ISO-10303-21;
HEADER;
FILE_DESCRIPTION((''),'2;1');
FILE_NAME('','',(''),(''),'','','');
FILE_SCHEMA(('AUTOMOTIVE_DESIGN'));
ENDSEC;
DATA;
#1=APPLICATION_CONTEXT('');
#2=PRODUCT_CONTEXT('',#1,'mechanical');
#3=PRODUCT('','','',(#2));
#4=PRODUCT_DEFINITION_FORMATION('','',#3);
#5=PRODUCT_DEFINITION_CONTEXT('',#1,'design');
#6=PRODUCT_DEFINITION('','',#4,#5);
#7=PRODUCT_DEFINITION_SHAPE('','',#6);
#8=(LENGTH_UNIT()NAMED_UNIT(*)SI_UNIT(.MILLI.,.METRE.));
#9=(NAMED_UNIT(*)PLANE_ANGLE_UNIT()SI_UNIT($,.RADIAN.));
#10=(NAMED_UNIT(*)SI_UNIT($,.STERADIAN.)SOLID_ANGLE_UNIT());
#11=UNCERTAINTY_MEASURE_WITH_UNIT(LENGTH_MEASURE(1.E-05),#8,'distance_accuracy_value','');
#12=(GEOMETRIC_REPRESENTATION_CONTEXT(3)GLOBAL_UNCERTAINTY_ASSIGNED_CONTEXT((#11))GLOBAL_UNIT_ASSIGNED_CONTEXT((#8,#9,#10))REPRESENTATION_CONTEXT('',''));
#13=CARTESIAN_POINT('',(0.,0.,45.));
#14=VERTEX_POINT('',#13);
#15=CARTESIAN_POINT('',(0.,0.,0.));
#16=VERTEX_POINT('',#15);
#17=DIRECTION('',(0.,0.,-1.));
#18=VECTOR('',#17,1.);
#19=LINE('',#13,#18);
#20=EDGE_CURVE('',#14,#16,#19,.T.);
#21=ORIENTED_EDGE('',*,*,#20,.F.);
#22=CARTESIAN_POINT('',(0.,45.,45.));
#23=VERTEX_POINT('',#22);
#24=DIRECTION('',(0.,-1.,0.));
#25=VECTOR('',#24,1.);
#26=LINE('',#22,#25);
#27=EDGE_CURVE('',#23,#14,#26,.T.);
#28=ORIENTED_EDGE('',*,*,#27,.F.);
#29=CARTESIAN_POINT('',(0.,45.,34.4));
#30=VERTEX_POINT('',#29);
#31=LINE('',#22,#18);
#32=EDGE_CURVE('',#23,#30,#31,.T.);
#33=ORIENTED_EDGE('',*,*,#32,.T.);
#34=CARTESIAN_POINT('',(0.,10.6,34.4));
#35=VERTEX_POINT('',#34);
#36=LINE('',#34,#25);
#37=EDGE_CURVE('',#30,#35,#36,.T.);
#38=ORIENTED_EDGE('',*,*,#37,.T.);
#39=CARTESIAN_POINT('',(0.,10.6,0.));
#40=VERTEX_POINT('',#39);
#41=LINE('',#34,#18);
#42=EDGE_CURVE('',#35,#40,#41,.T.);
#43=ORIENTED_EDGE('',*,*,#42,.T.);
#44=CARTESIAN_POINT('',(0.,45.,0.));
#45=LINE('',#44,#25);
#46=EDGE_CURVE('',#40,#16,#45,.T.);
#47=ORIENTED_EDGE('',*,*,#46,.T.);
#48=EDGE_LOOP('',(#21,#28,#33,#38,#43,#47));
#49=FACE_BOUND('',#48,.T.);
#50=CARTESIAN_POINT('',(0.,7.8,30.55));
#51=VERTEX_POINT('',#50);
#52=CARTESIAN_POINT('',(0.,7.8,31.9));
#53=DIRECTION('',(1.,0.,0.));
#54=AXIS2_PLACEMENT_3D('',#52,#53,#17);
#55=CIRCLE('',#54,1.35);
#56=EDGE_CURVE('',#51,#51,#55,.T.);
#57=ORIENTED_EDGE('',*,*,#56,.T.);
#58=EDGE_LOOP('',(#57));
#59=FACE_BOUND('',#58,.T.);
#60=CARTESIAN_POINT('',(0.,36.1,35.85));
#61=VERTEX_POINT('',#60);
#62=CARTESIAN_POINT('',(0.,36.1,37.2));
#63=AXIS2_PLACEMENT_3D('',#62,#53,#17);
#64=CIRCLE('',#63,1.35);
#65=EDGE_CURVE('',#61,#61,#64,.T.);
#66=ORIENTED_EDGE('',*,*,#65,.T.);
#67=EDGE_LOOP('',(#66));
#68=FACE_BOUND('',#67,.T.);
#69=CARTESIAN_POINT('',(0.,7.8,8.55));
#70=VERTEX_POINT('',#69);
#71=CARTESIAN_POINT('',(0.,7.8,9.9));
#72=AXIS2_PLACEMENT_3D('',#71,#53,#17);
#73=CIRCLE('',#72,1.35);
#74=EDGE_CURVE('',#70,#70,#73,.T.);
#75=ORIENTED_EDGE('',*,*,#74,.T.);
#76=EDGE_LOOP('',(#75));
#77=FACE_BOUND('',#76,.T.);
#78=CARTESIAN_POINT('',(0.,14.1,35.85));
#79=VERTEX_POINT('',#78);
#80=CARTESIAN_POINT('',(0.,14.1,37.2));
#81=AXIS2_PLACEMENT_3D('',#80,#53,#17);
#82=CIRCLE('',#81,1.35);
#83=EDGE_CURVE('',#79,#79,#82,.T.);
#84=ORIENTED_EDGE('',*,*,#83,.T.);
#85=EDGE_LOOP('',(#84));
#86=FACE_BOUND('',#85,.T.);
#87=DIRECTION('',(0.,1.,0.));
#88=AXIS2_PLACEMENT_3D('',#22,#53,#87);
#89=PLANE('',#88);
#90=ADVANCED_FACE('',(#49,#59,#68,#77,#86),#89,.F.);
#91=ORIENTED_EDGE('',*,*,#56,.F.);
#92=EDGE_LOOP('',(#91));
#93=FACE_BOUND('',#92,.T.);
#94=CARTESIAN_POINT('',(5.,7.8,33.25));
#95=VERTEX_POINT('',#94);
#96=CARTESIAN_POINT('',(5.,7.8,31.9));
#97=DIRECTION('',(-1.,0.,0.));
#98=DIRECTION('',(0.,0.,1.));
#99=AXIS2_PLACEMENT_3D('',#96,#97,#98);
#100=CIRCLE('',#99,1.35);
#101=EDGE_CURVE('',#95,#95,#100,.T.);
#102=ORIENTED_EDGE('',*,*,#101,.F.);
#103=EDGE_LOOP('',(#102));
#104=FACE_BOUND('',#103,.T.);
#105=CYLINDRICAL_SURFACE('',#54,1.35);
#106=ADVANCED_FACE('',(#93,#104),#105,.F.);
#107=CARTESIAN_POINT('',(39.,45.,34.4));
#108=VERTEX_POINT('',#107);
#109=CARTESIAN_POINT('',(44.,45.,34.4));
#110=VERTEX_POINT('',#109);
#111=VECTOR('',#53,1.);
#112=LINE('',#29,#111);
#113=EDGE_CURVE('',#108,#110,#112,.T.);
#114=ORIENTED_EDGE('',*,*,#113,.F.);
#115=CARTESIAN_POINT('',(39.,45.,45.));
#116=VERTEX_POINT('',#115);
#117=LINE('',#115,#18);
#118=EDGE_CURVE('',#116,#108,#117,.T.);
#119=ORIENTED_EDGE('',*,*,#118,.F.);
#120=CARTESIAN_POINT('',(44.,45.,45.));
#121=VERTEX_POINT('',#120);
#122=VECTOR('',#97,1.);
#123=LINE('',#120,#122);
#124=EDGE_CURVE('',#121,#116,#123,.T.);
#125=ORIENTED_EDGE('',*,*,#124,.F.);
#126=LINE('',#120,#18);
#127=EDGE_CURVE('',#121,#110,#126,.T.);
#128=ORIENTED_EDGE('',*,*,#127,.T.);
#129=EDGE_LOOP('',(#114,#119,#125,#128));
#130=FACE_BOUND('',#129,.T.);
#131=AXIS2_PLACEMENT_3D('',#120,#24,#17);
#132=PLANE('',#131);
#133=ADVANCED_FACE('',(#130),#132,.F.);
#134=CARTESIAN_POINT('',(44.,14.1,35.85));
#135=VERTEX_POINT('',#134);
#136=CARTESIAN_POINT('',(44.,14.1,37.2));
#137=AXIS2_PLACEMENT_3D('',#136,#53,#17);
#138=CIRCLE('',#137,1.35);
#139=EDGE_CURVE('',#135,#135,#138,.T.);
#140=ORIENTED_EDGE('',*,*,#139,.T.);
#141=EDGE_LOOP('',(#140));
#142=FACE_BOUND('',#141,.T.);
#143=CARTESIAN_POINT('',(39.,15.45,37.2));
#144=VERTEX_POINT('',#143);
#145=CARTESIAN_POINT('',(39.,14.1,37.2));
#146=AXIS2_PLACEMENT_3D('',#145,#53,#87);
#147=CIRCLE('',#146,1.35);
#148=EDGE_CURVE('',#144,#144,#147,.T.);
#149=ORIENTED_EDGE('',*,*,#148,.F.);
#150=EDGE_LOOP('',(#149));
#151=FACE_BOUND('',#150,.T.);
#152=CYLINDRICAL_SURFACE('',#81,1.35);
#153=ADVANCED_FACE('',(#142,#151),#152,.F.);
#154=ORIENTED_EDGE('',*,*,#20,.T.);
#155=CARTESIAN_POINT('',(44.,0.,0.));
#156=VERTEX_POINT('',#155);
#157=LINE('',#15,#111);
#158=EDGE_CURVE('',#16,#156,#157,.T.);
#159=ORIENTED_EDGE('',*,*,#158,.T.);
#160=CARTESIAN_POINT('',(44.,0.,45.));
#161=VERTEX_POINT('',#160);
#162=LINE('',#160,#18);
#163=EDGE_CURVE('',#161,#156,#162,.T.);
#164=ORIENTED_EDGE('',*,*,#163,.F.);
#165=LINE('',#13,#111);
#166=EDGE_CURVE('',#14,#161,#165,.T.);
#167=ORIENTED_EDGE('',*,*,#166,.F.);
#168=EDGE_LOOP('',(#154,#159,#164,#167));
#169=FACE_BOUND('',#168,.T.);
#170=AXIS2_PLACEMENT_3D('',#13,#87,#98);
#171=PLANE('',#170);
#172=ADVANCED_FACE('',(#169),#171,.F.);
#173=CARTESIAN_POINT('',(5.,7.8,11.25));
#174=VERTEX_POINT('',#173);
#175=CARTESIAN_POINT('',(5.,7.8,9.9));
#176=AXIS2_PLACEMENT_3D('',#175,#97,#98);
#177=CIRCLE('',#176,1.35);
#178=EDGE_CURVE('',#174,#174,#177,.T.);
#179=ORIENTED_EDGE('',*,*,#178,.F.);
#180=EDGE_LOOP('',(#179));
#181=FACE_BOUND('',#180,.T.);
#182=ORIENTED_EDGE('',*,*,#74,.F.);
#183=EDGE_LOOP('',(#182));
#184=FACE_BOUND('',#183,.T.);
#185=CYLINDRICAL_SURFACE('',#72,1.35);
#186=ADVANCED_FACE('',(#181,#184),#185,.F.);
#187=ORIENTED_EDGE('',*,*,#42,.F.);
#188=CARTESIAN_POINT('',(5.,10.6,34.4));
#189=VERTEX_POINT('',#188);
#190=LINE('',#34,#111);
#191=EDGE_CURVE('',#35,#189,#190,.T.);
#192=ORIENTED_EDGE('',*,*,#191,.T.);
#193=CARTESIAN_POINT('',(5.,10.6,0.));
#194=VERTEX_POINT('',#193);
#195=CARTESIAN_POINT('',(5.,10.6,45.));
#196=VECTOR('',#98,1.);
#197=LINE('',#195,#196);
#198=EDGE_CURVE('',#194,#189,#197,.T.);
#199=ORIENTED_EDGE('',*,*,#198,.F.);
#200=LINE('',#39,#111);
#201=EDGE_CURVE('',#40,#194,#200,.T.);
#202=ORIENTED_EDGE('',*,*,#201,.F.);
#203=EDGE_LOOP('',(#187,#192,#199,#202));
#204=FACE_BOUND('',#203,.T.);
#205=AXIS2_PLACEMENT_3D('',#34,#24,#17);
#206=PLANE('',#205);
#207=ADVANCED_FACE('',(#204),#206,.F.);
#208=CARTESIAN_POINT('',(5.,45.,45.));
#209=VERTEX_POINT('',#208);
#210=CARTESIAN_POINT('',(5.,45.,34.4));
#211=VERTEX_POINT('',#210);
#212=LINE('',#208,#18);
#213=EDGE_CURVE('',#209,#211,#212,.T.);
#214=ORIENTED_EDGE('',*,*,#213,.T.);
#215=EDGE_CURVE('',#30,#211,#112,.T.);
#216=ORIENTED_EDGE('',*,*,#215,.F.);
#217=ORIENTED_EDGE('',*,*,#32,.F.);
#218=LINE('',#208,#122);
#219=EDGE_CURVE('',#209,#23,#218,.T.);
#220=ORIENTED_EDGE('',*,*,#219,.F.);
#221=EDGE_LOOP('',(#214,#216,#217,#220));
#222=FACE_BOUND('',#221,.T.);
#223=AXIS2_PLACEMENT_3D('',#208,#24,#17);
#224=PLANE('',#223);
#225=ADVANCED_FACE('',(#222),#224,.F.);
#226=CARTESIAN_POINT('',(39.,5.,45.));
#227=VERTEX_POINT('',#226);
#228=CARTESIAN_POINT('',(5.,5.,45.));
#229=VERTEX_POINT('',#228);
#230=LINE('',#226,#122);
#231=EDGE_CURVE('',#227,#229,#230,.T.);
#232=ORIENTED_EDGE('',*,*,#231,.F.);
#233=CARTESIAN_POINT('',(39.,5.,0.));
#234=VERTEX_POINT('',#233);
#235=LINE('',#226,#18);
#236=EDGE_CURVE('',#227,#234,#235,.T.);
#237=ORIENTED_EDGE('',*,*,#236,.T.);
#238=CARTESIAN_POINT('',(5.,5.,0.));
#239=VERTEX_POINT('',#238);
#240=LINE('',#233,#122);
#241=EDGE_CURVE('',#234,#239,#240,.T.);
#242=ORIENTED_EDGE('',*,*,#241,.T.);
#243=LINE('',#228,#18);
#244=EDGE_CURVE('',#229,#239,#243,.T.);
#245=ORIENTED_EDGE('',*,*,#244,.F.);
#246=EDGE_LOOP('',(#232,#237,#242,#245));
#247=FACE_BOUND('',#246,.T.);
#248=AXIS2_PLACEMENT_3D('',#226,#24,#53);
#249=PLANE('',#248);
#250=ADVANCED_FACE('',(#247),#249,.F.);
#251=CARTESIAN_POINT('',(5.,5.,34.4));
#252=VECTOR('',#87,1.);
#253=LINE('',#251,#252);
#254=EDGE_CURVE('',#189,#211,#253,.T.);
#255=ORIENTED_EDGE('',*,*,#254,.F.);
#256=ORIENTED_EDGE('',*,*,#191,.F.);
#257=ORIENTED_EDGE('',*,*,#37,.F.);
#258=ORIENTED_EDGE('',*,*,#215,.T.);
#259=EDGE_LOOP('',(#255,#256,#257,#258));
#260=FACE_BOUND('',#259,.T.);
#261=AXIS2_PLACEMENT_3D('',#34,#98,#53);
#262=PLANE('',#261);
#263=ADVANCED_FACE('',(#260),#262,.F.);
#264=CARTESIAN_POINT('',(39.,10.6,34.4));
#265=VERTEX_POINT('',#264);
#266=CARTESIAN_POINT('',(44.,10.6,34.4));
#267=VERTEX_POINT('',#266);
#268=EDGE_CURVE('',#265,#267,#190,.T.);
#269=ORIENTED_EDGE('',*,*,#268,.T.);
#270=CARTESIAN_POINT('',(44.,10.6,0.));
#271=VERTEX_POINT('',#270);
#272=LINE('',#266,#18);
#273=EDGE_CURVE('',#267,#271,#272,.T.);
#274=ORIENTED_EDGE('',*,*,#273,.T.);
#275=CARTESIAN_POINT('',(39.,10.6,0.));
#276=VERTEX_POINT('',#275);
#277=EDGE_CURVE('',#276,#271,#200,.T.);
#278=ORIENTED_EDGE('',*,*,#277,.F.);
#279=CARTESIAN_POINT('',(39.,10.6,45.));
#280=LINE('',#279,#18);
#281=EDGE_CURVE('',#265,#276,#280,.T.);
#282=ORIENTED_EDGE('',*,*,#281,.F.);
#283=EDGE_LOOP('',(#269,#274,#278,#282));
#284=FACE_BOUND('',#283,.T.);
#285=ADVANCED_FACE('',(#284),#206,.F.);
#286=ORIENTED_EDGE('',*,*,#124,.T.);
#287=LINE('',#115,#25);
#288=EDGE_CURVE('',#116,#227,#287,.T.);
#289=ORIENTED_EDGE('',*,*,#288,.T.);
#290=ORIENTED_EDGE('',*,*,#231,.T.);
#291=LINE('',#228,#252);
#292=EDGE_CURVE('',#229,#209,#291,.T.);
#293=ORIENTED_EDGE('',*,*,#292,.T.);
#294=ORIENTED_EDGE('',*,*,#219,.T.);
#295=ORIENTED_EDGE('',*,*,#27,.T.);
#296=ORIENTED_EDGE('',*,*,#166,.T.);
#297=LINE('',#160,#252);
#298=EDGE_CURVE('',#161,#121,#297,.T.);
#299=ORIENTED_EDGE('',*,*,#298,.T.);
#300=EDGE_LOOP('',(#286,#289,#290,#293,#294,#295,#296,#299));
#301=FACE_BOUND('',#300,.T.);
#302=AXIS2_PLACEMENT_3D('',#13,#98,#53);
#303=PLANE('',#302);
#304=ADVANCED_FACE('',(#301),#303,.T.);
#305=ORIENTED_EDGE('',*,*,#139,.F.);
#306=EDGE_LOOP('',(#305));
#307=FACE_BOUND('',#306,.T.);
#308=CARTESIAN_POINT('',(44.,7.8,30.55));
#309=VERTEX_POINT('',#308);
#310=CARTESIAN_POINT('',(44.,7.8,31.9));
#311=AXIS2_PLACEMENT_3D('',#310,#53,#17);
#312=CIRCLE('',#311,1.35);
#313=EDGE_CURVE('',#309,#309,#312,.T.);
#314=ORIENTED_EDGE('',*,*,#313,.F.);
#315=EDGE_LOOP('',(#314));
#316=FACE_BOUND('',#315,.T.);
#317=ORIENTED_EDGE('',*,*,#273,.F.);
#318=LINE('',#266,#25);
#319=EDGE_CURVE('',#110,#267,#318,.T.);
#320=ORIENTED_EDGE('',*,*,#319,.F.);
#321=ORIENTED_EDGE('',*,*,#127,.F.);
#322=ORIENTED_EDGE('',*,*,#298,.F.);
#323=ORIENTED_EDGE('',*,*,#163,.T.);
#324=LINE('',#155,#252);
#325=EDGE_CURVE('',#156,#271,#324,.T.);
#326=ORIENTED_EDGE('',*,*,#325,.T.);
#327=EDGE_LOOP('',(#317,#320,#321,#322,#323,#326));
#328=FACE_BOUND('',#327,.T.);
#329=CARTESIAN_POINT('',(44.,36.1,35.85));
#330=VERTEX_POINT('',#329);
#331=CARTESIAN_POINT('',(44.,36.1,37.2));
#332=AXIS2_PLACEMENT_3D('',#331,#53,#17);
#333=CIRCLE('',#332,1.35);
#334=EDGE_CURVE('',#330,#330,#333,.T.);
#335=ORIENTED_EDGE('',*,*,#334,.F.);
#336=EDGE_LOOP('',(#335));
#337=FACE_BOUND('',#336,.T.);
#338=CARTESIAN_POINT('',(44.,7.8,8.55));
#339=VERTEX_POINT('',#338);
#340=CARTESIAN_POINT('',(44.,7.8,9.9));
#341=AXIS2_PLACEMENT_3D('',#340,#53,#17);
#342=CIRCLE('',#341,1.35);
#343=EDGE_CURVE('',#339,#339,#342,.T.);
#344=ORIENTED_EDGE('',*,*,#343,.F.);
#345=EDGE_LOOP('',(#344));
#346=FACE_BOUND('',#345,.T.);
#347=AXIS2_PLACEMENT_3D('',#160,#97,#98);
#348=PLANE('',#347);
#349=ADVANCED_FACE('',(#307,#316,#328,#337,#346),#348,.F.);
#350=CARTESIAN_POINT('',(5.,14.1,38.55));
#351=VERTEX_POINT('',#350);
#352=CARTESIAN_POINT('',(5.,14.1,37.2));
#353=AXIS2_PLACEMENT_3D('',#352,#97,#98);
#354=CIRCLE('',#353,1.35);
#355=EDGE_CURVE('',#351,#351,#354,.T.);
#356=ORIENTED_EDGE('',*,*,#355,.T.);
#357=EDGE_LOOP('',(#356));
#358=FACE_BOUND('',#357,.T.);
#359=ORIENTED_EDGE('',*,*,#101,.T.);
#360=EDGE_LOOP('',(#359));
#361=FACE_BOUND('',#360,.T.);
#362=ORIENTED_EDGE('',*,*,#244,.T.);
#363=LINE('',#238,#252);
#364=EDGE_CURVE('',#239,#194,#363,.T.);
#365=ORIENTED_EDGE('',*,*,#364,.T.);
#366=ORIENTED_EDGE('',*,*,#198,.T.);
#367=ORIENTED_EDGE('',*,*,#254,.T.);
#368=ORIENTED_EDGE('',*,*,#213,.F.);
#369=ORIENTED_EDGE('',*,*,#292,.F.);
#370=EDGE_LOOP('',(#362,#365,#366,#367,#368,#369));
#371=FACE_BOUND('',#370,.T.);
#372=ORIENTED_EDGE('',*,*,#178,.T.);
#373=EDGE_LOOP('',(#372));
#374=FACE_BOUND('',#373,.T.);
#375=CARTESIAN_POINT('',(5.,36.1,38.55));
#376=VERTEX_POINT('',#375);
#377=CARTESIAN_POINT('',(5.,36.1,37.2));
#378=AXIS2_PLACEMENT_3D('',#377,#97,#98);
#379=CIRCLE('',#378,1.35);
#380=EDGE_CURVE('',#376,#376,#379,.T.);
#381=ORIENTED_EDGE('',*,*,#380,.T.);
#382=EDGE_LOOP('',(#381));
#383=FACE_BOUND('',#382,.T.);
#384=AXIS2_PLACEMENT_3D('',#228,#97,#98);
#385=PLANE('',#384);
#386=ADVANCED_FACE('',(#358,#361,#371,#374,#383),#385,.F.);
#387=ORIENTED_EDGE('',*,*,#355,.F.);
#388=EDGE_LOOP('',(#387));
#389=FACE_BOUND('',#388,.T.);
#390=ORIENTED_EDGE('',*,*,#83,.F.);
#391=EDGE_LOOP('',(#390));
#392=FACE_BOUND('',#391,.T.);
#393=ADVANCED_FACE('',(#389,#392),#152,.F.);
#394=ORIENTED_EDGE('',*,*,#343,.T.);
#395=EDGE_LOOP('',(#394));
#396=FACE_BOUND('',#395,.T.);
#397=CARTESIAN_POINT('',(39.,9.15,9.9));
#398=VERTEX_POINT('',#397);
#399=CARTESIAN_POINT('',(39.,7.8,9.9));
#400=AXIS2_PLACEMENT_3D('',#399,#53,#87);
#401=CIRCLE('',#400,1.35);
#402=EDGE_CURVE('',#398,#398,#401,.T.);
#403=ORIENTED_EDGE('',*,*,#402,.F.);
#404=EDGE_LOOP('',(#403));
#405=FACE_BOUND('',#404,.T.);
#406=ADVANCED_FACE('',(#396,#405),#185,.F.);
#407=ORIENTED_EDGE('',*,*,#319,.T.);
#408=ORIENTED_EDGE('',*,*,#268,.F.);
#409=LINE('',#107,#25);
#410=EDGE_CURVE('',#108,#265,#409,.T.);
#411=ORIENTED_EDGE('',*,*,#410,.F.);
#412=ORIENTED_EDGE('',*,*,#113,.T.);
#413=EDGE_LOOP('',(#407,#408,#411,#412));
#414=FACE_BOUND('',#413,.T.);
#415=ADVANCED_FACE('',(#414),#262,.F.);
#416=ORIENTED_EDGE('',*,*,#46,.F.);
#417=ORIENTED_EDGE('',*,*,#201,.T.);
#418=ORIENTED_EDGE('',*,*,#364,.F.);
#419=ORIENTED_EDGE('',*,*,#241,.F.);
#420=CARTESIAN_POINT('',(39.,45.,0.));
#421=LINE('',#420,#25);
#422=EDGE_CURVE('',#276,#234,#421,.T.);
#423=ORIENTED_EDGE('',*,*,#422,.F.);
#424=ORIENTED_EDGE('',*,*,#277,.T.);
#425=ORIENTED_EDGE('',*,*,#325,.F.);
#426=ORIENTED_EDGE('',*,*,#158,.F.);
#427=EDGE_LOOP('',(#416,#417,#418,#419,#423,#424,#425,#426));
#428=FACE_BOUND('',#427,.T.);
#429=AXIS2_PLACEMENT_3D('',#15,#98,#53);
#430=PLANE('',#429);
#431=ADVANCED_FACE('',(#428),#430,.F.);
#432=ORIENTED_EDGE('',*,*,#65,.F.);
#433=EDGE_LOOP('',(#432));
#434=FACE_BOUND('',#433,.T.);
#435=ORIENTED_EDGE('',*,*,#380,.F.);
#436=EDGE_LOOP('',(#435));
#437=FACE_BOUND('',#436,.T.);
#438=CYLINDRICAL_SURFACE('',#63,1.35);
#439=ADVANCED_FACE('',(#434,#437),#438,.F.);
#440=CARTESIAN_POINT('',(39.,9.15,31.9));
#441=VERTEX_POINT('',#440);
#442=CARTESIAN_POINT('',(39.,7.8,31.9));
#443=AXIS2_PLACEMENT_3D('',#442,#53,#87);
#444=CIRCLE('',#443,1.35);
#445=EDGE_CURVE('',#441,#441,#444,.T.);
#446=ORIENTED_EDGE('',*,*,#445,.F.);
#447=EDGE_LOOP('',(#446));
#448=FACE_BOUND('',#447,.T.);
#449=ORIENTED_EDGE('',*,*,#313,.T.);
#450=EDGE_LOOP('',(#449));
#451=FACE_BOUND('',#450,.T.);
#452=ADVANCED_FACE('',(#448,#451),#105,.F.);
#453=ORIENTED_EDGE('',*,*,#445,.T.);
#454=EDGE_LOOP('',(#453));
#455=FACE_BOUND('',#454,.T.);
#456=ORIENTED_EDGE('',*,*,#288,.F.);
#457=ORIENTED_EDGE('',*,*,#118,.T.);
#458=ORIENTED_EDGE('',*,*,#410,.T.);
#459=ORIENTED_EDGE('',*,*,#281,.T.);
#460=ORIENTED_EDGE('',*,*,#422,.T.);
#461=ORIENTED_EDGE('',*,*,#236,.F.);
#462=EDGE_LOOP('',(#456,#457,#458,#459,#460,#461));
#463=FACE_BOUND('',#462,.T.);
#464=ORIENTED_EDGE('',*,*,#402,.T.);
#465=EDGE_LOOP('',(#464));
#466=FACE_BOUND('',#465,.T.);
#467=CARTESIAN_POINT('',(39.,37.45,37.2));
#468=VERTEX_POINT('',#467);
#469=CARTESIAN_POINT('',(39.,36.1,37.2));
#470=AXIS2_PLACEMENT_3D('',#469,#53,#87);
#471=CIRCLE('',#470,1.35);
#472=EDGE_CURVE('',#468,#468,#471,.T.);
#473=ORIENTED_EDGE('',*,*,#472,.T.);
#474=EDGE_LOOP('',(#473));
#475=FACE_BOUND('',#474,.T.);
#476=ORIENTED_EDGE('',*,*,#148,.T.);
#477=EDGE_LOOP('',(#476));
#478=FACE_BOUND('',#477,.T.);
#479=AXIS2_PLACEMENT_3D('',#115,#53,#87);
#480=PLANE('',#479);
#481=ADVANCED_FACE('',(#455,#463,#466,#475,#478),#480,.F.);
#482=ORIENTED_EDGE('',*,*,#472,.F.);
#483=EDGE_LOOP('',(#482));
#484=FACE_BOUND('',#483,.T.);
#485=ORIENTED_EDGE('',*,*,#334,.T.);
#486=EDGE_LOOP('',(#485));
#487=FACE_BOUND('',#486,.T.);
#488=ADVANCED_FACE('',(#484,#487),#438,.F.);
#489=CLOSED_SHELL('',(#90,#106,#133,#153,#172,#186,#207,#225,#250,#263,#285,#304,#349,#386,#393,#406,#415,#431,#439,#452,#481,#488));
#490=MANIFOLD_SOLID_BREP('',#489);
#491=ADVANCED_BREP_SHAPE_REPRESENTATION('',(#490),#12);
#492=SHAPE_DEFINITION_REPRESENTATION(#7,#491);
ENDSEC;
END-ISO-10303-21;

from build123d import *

# Parameters (mm, degrees)
BOSS_EXTRUDE1_DEPTH     = 45
CUT_EXTRUDE1_DEPTH      = 75.639131828
CUT_EXTRUDE1_DEPTH_BACK = 75.639131828
SKETCH3_R               = 1.35
SKETCH3_W               = 34.4
SKETCH3_H               = 34.4


with BuildPart() as part:
    # Sketch1 → Boss-Extrude1 (new body)
    with BuildSketch(Plane.XY):
        Polygon((0, 0), (44, 0), (44, 45), (39, 45), (39, 5), (5, 5), (5, 45), (0, 45), align=None)
    extrude(amount=BOSS_EXTRUDE1_DEPTH)

    # Sketch3 → Cut-Extrude1 (cut, two sides: drawn at the far end of the back side and taken through both)
    with BuildSketch(Plane(origin=(5, 0, 0), x_dir=(0, 0, -1), z_dir=(1, 0, 0)).offset(-CUT_EXTRUDE1_DEPTH_BACK)):
        with Locations((-37.2, 36.1)):
            Circle(SKETCH3_R)
        with Locations((-37.2, 14.1)):
            Circle(SKETCH3_R)
        with Locations((-31.9, 7.8)):
            Circle(SKETCH3_R)
        with Locations((-9.9, 7.8)):
            Circle(SKETCH3_R)
        with Locations((-17.2, 27.8)):
            Rectangle(SKETCH3_W, SKETCH3_H)
    extrude(amount=CUT_EXTRUDE1_DEPTH + CUT_EXTRUDE1_DEPTH_BACK, mode=Mode.SUBTRACT)


solid = part.part
